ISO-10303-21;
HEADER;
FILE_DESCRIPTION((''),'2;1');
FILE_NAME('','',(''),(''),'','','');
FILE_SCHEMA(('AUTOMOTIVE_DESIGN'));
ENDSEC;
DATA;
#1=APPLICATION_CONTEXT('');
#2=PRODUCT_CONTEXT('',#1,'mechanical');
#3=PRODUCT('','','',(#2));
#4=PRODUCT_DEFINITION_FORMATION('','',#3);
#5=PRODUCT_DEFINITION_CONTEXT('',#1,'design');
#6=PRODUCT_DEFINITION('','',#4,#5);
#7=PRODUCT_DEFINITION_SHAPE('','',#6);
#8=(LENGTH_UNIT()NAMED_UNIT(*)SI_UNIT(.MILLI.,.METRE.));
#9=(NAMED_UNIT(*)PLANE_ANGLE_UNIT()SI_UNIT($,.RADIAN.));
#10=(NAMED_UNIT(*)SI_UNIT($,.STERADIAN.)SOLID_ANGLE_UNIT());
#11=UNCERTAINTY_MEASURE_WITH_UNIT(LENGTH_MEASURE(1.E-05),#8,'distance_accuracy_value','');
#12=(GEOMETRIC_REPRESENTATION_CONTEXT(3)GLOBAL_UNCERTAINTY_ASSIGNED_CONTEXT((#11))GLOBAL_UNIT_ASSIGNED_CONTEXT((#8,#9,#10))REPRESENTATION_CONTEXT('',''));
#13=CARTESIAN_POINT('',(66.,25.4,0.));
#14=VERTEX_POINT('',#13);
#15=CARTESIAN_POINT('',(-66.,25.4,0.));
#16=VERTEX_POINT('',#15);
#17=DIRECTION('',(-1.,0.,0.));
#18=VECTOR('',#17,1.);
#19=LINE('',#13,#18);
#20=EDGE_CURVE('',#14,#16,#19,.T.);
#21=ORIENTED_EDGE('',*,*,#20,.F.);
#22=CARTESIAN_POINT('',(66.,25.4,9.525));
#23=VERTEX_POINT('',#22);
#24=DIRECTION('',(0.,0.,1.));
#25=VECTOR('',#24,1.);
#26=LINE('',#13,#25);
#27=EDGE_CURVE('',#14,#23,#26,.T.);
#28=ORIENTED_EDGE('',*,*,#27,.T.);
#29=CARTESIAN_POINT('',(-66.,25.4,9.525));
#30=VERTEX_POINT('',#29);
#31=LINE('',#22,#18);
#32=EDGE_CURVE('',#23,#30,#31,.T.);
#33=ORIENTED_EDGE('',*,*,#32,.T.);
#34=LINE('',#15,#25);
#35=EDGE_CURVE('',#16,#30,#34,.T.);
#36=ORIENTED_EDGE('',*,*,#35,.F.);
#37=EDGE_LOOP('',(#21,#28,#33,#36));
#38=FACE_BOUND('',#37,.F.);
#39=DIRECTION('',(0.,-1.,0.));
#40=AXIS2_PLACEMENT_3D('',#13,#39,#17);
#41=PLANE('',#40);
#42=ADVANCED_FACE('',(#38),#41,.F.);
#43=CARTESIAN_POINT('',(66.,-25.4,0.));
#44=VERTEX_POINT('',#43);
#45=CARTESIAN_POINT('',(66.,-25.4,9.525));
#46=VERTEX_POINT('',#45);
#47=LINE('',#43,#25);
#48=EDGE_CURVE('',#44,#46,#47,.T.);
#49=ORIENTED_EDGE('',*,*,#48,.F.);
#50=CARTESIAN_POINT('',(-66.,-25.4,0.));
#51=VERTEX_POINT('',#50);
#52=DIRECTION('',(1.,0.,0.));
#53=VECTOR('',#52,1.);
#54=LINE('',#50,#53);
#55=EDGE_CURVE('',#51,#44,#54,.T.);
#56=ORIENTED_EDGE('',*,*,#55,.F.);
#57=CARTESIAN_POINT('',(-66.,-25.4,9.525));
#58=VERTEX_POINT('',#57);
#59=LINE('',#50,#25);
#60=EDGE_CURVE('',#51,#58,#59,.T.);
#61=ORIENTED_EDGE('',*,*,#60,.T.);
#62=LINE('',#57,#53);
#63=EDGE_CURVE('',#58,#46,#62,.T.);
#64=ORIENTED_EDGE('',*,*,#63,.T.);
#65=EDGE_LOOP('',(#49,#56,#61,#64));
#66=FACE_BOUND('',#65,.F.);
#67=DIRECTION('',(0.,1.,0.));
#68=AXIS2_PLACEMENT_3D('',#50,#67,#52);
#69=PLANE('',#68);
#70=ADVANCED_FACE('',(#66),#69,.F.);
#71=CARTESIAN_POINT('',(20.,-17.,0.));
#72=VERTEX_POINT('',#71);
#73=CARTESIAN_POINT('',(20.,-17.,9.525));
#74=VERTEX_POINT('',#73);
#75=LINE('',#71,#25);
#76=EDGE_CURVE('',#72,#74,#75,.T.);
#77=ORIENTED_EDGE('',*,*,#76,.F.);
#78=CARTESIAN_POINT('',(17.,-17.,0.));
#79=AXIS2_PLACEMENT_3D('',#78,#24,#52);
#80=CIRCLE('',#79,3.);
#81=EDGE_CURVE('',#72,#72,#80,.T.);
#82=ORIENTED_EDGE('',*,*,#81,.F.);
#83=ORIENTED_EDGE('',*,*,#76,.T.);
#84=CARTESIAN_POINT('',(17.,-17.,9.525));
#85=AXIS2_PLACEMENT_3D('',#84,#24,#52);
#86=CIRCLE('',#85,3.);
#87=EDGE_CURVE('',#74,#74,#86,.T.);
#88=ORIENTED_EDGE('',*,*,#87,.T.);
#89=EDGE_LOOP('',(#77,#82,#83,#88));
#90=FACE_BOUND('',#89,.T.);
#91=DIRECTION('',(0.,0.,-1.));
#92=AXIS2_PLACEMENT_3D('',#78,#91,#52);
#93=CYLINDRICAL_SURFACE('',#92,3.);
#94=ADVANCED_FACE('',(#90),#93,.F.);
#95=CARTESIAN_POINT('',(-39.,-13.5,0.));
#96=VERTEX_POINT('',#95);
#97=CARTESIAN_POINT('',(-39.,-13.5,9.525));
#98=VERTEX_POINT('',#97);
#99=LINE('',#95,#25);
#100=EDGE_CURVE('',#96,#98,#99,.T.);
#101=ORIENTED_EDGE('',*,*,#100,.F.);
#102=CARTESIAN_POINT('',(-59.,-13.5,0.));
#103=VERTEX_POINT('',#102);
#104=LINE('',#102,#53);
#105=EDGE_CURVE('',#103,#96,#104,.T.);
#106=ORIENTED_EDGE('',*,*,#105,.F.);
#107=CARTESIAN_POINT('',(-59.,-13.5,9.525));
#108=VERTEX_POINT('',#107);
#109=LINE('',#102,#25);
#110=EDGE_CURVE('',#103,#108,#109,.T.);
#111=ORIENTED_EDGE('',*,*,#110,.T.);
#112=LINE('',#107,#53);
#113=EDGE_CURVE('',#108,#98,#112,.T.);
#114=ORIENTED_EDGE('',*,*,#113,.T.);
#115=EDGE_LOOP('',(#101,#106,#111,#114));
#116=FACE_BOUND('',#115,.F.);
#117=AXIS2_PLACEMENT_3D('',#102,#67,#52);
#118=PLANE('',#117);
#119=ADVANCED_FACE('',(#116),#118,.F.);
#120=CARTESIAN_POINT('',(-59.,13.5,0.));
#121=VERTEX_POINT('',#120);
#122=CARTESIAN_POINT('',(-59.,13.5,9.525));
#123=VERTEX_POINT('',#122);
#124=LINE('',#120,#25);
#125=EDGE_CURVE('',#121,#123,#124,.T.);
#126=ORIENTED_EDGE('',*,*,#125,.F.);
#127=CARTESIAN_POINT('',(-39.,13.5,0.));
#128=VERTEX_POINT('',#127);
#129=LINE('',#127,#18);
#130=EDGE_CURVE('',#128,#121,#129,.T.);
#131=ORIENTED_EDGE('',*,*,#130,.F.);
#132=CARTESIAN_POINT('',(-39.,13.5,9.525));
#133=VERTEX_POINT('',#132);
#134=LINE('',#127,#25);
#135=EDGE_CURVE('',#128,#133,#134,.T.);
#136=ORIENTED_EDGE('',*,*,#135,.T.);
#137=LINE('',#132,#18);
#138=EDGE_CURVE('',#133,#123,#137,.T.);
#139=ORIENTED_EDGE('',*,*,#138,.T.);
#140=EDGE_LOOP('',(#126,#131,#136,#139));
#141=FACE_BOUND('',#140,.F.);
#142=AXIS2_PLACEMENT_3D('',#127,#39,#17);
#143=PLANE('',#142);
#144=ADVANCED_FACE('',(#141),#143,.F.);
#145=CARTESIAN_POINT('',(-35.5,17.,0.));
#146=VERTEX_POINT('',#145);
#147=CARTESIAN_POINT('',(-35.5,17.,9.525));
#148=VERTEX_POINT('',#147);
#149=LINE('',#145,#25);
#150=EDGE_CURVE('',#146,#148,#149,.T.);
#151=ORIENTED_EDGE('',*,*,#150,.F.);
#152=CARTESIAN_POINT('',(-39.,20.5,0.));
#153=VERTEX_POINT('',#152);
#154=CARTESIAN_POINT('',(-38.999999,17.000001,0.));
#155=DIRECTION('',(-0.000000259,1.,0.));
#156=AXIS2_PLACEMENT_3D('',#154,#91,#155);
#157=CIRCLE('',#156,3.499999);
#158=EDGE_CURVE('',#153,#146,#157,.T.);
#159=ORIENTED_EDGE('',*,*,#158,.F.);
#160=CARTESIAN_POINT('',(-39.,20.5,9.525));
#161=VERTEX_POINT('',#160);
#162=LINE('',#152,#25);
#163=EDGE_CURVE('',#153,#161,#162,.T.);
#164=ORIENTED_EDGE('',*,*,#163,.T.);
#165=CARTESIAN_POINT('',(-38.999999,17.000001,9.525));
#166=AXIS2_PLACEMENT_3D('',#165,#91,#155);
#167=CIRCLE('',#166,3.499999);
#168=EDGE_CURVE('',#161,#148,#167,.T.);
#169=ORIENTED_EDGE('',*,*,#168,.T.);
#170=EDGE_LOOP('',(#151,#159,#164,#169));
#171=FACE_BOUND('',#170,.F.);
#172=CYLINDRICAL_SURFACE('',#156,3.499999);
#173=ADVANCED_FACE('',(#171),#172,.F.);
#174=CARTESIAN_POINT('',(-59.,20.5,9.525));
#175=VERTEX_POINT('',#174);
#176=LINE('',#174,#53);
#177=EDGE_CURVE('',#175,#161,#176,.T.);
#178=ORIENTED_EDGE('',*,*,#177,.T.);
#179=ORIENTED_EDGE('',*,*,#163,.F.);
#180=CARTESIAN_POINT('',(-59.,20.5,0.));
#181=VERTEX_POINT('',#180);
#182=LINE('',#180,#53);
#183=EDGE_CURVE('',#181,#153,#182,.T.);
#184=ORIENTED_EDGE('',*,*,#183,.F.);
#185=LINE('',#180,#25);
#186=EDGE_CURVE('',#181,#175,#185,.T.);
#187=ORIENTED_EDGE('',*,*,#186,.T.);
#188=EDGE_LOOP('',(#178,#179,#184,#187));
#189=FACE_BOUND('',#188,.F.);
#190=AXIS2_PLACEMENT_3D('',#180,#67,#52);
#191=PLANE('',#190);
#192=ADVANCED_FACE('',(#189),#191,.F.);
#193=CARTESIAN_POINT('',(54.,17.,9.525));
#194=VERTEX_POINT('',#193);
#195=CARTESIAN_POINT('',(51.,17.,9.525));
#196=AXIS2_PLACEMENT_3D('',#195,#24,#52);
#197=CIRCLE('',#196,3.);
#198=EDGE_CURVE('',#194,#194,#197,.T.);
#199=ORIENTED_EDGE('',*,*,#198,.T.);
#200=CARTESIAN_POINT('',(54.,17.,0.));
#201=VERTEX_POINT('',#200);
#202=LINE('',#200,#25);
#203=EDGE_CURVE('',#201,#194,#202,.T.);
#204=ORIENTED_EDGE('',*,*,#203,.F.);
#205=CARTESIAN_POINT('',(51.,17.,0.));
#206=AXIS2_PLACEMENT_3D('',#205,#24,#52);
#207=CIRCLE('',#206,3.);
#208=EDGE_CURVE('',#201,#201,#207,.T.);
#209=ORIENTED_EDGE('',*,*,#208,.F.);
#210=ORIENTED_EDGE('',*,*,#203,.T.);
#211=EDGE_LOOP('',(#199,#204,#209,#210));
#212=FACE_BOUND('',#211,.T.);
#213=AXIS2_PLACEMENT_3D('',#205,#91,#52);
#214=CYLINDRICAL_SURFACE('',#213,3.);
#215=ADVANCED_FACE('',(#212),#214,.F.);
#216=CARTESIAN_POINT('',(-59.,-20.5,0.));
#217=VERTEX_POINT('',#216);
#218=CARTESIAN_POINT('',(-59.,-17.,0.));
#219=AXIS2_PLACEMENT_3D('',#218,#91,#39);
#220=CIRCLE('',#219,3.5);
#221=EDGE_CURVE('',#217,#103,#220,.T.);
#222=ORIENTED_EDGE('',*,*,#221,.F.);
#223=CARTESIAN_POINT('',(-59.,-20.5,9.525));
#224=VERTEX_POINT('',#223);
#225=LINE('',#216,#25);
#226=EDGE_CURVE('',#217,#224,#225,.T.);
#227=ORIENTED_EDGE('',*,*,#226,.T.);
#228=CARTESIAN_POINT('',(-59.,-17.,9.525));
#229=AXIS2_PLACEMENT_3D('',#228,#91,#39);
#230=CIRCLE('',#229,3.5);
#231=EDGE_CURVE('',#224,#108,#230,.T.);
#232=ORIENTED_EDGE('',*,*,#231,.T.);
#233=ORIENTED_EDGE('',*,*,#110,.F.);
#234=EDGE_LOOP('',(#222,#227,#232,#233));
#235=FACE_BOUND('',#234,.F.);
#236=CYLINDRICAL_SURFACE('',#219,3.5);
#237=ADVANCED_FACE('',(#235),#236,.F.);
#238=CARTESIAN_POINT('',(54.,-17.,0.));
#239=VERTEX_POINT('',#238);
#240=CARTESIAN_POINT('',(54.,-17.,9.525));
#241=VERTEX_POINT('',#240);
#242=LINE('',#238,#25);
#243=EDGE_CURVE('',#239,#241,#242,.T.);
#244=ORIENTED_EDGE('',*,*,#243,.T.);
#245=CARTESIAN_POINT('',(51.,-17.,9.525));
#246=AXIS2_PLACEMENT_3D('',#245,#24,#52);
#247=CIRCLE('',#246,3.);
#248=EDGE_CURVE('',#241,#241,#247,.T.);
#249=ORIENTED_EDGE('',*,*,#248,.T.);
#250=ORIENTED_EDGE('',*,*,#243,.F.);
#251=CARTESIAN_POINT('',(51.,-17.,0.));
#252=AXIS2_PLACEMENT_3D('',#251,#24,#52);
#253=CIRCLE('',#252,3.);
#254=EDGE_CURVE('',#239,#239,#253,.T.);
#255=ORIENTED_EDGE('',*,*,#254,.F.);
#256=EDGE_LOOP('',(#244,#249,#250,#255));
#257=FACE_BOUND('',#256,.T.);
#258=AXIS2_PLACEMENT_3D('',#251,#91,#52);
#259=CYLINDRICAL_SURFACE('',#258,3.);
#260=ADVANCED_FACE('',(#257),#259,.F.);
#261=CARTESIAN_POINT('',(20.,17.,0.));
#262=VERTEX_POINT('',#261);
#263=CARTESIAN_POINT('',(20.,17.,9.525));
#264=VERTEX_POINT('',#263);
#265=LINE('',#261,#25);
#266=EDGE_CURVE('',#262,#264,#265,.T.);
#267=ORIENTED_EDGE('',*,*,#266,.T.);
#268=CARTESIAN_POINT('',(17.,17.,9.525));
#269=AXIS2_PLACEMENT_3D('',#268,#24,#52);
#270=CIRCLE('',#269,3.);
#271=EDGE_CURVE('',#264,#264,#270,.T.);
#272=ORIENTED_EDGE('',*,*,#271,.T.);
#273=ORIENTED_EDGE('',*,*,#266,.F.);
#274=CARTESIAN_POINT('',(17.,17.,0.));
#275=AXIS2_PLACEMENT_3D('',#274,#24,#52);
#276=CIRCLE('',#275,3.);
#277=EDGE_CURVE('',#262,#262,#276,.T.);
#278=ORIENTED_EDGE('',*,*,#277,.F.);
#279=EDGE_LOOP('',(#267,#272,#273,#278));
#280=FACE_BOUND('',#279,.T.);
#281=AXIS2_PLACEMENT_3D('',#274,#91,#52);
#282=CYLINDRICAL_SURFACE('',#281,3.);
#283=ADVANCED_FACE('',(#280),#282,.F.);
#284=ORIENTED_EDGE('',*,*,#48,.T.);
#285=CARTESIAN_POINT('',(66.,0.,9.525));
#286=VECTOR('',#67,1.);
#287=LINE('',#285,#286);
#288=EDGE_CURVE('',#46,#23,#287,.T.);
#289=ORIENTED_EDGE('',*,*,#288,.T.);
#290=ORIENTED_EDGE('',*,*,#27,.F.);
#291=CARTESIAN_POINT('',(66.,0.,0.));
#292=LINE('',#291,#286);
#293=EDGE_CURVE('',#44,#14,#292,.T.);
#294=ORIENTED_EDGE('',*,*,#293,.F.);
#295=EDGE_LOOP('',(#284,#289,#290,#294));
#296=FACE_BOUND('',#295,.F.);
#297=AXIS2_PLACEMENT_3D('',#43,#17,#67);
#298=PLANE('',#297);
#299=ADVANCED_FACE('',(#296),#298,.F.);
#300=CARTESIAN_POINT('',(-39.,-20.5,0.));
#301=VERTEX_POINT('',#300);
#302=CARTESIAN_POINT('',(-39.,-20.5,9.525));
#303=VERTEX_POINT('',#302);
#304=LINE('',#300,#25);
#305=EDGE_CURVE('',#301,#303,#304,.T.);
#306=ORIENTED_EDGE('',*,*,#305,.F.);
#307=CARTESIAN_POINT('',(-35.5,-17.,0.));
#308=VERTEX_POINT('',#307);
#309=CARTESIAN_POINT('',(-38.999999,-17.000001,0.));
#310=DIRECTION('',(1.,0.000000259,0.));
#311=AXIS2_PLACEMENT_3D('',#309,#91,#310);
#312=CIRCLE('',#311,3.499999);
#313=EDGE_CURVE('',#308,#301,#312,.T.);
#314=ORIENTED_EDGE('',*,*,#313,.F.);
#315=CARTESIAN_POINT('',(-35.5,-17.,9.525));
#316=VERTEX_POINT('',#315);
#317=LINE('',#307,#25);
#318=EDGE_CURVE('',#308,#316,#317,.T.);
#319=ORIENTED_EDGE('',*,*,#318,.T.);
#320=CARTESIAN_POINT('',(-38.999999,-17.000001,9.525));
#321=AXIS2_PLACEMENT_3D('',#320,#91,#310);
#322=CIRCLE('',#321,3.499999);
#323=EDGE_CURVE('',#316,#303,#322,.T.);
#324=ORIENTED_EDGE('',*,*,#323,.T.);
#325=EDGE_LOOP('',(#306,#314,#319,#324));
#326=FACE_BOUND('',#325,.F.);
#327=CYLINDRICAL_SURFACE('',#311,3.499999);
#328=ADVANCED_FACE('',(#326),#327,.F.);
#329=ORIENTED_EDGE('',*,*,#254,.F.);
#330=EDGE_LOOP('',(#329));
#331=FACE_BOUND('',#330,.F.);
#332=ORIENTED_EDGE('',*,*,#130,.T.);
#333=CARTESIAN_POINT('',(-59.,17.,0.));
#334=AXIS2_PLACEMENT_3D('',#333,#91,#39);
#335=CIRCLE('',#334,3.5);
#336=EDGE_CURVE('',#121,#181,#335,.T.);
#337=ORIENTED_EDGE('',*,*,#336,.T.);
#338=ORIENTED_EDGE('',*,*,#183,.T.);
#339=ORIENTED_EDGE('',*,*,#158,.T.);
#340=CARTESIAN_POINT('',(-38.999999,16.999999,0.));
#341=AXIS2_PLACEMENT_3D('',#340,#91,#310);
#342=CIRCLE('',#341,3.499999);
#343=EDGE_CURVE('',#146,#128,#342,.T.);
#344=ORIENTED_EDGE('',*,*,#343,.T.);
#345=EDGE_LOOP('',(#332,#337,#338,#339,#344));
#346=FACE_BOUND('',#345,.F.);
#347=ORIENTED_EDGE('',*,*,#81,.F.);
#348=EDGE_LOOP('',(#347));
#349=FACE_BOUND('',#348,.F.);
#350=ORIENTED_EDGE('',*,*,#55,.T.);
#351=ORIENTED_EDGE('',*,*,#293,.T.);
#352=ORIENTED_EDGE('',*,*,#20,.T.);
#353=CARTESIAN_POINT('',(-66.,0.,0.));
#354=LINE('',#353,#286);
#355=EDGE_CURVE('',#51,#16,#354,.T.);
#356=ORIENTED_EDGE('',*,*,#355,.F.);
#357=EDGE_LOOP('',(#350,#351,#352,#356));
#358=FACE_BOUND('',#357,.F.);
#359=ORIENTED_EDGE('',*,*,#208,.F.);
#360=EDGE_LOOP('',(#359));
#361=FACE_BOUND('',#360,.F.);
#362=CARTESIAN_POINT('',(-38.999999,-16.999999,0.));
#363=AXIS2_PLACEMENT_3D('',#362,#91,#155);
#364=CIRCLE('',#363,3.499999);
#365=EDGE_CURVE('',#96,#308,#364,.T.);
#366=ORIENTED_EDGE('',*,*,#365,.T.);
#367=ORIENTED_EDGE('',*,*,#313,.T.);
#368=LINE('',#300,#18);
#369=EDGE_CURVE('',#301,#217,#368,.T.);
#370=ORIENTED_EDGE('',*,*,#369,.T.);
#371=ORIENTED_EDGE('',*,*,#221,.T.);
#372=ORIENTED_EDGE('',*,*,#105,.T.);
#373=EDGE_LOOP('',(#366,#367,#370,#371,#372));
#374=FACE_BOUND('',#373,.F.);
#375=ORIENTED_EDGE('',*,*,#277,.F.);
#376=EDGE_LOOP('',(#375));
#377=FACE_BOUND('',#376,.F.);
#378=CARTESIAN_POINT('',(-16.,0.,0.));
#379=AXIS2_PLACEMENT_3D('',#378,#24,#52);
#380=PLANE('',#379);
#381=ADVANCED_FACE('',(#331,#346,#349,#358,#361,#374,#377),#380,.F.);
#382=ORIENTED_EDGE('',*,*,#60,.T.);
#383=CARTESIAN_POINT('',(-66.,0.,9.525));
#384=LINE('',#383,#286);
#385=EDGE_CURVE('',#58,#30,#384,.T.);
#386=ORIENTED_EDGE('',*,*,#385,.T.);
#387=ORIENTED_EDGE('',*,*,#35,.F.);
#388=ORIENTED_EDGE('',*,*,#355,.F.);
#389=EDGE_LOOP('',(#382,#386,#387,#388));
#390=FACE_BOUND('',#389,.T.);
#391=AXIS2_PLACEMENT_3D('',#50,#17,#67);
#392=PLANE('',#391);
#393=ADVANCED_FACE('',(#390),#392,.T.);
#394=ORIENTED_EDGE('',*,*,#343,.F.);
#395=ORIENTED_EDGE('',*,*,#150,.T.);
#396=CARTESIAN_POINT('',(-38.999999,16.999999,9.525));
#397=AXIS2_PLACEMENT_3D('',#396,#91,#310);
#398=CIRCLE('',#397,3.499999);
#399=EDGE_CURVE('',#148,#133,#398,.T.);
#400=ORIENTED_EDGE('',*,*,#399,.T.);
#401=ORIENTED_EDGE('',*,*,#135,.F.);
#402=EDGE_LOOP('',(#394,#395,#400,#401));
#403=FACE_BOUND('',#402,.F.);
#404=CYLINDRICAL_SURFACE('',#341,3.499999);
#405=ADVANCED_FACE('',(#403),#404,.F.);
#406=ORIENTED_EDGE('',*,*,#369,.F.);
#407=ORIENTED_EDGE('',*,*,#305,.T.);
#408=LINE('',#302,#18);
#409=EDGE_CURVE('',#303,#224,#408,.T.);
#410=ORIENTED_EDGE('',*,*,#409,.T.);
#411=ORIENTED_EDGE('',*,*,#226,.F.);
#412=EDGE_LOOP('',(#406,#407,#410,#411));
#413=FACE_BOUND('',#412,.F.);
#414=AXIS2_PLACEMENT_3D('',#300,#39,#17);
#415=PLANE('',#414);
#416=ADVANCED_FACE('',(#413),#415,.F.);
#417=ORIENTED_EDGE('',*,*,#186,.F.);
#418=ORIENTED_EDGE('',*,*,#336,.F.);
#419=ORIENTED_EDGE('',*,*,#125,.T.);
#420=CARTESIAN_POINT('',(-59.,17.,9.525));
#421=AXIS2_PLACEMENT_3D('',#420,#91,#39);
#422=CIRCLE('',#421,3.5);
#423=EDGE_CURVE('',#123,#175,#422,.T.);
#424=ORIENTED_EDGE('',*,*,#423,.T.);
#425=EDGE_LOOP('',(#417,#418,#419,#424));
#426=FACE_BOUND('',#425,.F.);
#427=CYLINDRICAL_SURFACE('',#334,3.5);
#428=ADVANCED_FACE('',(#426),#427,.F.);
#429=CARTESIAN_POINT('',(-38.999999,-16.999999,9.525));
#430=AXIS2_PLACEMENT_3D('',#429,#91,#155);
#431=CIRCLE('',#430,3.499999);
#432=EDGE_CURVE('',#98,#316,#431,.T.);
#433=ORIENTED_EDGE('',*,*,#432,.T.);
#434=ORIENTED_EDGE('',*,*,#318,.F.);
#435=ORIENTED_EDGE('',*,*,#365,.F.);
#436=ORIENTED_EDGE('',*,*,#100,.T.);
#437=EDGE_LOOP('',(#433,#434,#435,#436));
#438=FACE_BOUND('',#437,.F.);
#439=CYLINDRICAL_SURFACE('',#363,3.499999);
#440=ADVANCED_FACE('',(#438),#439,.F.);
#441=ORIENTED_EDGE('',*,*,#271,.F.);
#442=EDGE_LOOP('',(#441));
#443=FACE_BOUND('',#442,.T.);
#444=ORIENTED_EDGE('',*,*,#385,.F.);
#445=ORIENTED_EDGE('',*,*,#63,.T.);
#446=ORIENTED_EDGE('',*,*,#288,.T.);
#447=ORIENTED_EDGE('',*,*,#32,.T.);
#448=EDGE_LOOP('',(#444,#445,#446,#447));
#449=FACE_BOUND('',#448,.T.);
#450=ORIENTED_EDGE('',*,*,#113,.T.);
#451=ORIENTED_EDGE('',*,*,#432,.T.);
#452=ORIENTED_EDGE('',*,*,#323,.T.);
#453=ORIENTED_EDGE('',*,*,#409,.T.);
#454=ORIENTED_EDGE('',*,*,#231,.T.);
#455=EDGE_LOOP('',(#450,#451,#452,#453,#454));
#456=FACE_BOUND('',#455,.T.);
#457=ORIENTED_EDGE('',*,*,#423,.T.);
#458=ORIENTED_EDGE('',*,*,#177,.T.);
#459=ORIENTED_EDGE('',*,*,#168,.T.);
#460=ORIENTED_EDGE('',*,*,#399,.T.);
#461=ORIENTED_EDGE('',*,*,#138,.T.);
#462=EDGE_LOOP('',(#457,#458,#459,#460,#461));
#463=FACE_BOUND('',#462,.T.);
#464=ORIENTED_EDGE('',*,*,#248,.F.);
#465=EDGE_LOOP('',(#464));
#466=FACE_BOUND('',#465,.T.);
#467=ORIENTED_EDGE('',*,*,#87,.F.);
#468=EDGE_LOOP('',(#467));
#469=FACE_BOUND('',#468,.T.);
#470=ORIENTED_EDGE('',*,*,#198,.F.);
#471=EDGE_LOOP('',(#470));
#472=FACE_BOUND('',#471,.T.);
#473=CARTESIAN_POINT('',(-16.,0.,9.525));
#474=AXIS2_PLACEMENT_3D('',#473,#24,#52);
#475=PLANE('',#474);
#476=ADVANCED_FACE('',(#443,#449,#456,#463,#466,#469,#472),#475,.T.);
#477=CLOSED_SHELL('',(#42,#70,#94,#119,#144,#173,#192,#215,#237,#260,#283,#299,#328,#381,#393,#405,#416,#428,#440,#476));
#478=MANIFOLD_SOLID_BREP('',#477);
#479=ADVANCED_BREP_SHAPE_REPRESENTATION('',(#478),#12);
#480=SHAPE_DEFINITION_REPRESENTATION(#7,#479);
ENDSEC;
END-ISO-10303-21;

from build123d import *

# Parameters (mm, degrees)
F0_W     = 100
F0_H     = 50.8
F0_R     = 3
F0_W_2   = 32
F1_DEPTH = 9.525


with BuildPart() as f1:
    # F0 (on Top) → F1 (new body)
    with BuildSketch(Plane.XY):
        with Locations((-16, 0)):
            Rectangle(F0_W, F0_H)
        with BuildLine():
            Line((-59, -13.5), (-39, -13.5))
            ThreePointArc((-39, -13.5), (-36.525126, -14.525126), (-35.5, -17))
            ThreePointArc((-35.5, -17), (-36.525126, -19.474874), (-39, -20.5))
            Line((-39, -20.5), (-59, -20.5))
            ThreePointArc((-59, -20.5), (-62.5, -17), (-59, -13.5))
        make_face(mode=Mode.SUBTRACT)
        with Locations((17, -17)):
            Circle(F0_R, mode=Mode.SUBTRACT)
        with BuildLine():
            ThreePointArc((-59, 13.5), (-62.5, 17), (-59, 20.5))
            Line((-59, 20.5), (-39, 20.5))
            ThreePointArc((-39, 20.5), (-36.525126, 19.474874), (-35.5, 17))
            ThreePointArc((-35.5, 17), (-36.525126, 14.525126), (-39, 13.5))
            Line((-39, 13.5), (-59, 13.5))
        make_face(mode=Mode.SUBTRACT)
        with Locations((17, 17)):
            Circle(F0_R, mode=Mode.SUBTRACT)
        with Locations((50, 0)):
            Rectangle(F0_W_2, F0_H)
        with Locations((51, -17)):
            Circle(F0_R, mode=Mode.SUBTRACT)
        with Locations((51, 17)):
            Circle(F0_R, mode=Mode.SUBTRACT)
    extrude(amount=F1_DEPTH)


solid = f1.part
